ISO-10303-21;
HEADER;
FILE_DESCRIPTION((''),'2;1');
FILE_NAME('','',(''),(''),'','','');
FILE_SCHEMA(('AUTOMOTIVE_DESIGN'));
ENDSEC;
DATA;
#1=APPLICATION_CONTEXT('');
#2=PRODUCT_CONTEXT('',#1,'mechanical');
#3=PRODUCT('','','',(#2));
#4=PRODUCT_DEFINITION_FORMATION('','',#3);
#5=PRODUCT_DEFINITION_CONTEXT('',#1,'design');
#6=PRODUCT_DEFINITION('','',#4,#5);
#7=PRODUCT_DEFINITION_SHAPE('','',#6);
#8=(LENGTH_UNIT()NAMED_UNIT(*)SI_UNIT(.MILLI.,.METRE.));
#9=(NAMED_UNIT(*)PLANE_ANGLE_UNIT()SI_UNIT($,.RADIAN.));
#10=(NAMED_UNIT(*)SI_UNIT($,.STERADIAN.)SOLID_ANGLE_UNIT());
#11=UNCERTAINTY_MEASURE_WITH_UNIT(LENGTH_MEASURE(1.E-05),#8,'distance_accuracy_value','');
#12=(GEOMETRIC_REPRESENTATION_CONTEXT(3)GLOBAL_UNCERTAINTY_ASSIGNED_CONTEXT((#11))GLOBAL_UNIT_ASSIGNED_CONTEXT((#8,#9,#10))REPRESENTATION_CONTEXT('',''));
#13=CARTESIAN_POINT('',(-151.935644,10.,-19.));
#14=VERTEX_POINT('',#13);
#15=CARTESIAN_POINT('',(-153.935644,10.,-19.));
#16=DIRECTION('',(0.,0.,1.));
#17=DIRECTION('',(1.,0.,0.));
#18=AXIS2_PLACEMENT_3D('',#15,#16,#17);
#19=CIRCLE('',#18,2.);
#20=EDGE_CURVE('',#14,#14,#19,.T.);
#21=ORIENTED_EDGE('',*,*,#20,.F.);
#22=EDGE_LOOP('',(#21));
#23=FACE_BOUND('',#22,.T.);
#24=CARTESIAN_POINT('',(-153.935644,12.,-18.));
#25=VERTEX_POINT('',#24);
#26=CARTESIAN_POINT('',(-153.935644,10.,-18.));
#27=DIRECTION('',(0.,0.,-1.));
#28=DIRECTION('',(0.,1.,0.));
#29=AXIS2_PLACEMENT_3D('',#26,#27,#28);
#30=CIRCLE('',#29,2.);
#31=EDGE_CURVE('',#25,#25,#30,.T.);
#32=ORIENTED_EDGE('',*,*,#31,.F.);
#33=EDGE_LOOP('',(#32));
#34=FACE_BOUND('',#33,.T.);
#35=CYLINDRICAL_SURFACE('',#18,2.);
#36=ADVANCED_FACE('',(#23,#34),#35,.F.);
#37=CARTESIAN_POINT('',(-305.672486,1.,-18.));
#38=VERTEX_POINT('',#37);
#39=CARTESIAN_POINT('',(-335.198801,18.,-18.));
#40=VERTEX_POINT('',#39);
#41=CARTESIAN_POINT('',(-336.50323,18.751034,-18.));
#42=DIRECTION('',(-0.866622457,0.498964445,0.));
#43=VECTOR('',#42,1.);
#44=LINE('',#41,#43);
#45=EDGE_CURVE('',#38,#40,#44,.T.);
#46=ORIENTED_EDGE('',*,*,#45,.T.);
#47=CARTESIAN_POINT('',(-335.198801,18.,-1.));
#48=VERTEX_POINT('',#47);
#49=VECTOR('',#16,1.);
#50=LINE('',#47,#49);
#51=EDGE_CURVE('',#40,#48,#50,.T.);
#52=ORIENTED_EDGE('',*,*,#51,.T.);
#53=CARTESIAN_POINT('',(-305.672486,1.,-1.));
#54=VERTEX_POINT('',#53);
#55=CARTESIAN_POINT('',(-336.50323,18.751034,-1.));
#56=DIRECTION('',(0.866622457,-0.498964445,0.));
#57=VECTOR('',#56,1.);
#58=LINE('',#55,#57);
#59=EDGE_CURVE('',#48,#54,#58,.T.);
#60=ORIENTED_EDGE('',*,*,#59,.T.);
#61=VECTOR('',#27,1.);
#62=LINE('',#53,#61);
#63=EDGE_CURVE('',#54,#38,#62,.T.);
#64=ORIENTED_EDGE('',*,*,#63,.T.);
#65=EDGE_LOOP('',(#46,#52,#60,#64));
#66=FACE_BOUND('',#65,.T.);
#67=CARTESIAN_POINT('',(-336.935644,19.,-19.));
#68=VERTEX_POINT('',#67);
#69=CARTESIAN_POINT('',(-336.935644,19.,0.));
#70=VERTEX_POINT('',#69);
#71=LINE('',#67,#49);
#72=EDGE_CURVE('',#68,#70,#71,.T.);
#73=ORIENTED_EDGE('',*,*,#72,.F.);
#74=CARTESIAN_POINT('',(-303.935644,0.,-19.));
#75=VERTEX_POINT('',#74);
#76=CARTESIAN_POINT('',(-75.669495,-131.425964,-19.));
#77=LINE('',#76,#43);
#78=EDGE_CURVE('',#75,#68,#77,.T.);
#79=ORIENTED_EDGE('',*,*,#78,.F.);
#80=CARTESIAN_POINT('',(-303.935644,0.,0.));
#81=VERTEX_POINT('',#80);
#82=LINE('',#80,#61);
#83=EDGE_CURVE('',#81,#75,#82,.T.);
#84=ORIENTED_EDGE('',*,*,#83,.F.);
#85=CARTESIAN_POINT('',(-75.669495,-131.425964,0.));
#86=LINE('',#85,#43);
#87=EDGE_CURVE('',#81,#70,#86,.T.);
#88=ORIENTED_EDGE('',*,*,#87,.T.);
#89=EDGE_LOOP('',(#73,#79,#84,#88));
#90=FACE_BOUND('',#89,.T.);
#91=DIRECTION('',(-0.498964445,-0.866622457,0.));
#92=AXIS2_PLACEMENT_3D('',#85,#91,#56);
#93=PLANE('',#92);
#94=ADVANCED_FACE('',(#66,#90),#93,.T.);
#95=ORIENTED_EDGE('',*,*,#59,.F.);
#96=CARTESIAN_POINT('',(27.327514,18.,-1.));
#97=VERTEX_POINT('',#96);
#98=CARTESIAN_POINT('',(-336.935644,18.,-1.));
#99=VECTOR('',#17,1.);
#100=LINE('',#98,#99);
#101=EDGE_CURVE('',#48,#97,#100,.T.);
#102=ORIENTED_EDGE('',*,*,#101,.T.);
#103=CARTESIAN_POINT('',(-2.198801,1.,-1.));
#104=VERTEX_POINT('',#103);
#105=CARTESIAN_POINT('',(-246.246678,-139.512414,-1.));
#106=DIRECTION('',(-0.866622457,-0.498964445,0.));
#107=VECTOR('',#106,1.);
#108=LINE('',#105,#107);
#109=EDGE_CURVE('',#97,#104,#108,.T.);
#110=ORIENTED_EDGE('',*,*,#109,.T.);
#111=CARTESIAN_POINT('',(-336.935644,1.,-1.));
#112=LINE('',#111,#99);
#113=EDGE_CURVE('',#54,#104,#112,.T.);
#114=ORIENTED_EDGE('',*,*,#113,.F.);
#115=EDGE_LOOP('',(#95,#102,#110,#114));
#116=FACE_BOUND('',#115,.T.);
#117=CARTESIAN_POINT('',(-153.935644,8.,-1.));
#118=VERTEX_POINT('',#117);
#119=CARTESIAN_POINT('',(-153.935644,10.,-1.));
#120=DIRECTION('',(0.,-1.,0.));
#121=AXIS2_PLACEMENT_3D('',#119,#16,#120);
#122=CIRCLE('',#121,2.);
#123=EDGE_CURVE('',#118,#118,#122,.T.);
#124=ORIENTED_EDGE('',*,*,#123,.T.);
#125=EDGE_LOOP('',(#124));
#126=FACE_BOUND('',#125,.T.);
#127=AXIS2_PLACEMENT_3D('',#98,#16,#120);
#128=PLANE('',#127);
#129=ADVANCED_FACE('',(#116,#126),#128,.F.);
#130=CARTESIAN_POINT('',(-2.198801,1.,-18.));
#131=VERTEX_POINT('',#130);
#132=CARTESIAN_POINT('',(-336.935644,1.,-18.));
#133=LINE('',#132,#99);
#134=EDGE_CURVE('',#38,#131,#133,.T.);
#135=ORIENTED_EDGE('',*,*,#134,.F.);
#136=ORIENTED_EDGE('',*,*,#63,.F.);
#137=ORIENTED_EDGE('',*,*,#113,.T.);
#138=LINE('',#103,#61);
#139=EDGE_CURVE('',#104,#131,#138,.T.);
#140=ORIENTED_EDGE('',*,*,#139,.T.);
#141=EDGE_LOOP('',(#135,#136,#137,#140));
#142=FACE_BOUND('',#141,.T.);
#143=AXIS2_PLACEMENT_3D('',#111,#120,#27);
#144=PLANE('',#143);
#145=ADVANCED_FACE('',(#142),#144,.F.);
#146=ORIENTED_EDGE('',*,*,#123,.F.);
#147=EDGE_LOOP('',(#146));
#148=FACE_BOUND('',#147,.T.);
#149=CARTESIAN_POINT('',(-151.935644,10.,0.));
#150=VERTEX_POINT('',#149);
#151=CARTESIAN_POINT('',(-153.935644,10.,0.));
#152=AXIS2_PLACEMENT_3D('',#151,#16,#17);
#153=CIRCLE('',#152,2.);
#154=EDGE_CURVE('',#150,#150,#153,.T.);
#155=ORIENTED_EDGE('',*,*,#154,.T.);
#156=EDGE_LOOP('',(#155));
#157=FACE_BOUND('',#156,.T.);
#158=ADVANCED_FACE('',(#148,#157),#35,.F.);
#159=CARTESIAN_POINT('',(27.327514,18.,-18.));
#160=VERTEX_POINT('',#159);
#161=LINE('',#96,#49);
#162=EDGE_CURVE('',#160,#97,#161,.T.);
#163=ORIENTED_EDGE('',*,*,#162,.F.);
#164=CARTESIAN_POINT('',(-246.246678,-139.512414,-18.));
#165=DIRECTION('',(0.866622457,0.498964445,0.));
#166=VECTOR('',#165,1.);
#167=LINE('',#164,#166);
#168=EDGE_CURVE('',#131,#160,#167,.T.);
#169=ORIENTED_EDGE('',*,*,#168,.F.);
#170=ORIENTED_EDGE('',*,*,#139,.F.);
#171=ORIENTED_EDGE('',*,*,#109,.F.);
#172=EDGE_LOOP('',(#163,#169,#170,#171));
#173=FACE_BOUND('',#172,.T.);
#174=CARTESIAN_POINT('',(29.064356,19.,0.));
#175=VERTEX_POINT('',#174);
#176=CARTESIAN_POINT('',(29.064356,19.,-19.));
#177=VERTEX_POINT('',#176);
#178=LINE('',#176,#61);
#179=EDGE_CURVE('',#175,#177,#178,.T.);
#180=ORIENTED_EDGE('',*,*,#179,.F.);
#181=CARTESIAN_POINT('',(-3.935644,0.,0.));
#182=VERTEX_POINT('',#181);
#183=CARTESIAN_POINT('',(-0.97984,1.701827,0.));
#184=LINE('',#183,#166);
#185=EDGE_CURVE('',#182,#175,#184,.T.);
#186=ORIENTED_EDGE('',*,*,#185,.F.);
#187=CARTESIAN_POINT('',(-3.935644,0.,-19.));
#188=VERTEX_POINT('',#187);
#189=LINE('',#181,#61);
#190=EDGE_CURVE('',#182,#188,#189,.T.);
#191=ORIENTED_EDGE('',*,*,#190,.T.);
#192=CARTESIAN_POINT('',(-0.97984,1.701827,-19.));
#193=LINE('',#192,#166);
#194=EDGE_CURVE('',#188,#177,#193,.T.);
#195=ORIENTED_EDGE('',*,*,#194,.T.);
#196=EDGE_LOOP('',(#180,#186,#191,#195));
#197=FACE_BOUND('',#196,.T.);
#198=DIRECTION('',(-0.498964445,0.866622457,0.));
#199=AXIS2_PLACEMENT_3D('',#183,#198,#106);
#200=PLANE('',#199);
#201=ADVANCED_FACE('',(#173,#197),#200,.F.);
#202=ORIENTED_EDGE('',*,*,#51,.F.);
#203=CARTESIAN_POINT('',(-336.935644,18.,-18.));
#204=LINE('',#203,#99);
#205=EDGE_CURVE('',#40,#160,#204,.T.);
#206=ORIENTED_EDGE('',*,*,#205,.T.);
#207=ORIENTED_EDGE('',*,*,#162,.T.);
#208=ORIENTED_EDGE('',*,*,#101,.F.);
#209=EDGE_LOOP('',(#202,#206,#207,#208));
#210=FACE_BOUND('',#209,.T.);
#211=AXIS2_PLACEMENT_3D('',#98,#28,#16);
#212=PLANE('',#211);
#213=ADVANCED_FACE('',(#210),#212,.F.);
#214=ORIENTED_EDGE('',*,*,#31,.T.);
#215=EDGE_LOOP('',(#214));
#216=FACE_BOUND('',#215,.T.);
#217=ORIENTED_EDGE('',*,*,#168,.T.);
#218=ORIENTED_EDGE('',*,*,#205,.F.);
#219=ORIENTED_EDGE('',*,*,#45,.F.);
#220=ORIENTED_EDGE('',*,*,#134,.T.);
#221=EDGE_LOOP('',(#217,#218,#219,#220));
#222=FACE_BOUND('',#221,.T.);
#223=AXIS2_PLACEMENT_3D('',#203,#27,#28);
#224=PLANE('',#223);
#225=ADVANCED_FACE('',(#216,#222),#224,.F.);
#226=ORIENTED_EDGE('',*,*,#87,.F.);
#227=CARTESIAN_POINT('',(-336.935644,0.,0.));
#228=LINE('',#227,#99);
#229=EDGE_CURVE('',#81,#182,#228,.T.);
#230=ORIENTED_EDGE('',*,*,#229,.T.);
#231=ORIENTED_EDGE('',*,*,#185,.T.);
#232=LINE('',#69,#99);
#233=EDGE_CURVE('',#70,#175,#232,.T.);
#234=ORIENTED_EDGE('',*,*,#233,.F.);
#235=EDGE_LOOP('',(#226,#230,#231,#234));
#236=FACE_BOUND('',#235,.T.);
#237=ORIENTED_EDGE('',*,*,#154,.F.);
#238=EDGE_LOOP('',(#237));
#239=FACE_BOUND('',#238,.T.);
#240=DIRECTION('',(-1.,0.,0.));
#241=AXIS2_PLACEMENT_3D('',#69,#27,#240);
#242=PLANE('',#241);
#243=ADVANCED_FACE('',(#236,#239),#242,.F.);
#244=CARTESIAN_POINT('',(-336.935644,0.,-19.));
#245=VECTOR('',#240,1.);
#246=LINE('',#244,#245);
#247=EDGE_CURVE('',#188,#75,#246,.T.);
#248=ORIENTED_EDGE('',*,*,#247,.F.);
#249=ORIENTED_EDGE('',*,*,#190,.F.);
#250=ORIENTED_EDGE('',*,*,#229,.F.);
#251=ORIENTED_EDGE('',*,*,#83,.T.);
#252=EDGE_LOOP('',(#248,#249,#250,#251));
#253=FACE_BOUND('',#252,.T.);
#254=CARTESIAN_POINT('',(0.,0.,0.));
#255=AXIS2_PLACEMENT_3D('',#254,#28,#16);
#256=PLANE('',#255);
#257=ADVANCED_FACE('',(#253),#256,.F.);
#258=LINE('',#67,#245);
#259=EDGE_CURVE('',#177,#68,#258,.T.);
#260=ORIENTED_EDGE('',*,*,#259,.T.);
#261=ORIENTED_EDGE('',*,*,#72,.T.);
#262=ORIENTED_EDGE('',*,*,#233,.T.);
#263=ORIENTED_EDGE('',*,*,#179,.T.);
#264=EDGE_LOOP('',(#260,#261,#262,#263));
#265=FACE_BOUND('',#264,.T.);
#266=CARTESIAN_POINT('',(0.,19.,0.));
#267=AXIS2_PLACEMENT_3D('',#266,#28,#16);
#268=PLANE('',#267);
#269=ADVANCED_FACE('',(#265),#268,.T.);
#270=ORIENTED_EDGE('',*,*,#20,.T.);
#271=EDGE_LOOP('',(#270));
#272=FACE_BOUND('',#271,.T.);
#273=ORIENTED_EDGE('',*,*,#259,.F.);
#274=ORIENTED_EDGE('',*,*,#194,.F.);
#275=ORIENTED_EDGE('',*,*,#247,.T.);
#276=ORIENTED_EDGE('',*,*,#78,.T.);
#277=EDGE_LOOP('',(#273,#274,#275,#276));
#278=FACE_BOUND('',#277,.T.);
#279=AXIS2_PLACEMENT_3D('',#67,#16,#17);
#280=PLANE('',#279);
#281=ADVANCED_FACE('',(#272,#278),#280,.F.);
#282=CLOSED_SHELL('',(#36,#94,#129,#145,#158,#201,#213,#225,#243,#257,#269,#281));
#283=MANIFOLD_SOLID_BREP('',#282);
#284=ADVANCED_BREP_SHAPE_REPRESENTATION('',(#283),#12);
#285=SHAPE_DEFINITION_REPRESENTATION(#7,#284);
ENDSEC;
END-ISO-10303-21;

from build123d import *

# Parameters (mm, degrees)
SKETCH1_W           = 366
SKETCH1_H           = 19
BOSS_EXTRUDE2_DEPTH = 19
SKETCH9_W           = 17
SKETCH9_H           = 17
CUT_EXTRUDE4_DEPTH  = 367.985013318
CUT_EXTRUDE6_DEPTH  = 339.005366679
SKETCH12_R          = 2
CUT_EXTRUDE7_DEPTH  = 339.005366679


with BuildPart() as part:
    # Sketch1 → Boss-Extrude2 (new body)
    with BuildSketch(Plane(origin=(0, 0, 0), x_dir=(1, 0, 0), z_dir=(0, 1, 0))):
        with Locations((-153.935643564, 9.5)):
            Rectangle(SKETCH1_W, SKETCH1_H)
    extrude(amount=BOSS_EXTRUDE2_DEPTH)

    # Sketch9 → Cut-Extrude4 (cut, through all)
    with BuildSketch(Plane(origin=(29.064356436, 0, 0), x_dir=(0, 0, -1), z_dir=(1, 0, 0))):
        with Locations((9.5, 9.5)):
            Rectangle(SKETCH9_W, SKETCH9_H)
    extrude(amount=-CUT_EXTRUDE4_DEPTH, mode=Mode.SUBTRACT)

    # Sketch11 → Cut-Extrude6 (cut, through all)
    with BuildSketch(Plane(origin=(0, 0, -19), x_dir=(-1, 0, 0), z_dir=(0, 0, -1))):
        Polygon((-29.064356436, 19), (-29.064356436, 0), (3.935643564, 0), align=None)
        Polygon((336.935643564, 19), (336.935643564, 0), (303.935643564, 0), align=None)
    extrude(amount=-CUT_EXTRUDE6_DEPTH, mode=Mode.SUBTRACT)

    # Sketch12 → Cut-Extrude7 (cut, through all)
    with BuildSketch(Plane.XY):
        with Locations((-153.935643564, 10)):
            Circle(SKETCH12_R)
    extrude(amount=-CUT_EXTRUDE7_DEPTH, mode=Mode.SUBTRACT)


solid = part.part
